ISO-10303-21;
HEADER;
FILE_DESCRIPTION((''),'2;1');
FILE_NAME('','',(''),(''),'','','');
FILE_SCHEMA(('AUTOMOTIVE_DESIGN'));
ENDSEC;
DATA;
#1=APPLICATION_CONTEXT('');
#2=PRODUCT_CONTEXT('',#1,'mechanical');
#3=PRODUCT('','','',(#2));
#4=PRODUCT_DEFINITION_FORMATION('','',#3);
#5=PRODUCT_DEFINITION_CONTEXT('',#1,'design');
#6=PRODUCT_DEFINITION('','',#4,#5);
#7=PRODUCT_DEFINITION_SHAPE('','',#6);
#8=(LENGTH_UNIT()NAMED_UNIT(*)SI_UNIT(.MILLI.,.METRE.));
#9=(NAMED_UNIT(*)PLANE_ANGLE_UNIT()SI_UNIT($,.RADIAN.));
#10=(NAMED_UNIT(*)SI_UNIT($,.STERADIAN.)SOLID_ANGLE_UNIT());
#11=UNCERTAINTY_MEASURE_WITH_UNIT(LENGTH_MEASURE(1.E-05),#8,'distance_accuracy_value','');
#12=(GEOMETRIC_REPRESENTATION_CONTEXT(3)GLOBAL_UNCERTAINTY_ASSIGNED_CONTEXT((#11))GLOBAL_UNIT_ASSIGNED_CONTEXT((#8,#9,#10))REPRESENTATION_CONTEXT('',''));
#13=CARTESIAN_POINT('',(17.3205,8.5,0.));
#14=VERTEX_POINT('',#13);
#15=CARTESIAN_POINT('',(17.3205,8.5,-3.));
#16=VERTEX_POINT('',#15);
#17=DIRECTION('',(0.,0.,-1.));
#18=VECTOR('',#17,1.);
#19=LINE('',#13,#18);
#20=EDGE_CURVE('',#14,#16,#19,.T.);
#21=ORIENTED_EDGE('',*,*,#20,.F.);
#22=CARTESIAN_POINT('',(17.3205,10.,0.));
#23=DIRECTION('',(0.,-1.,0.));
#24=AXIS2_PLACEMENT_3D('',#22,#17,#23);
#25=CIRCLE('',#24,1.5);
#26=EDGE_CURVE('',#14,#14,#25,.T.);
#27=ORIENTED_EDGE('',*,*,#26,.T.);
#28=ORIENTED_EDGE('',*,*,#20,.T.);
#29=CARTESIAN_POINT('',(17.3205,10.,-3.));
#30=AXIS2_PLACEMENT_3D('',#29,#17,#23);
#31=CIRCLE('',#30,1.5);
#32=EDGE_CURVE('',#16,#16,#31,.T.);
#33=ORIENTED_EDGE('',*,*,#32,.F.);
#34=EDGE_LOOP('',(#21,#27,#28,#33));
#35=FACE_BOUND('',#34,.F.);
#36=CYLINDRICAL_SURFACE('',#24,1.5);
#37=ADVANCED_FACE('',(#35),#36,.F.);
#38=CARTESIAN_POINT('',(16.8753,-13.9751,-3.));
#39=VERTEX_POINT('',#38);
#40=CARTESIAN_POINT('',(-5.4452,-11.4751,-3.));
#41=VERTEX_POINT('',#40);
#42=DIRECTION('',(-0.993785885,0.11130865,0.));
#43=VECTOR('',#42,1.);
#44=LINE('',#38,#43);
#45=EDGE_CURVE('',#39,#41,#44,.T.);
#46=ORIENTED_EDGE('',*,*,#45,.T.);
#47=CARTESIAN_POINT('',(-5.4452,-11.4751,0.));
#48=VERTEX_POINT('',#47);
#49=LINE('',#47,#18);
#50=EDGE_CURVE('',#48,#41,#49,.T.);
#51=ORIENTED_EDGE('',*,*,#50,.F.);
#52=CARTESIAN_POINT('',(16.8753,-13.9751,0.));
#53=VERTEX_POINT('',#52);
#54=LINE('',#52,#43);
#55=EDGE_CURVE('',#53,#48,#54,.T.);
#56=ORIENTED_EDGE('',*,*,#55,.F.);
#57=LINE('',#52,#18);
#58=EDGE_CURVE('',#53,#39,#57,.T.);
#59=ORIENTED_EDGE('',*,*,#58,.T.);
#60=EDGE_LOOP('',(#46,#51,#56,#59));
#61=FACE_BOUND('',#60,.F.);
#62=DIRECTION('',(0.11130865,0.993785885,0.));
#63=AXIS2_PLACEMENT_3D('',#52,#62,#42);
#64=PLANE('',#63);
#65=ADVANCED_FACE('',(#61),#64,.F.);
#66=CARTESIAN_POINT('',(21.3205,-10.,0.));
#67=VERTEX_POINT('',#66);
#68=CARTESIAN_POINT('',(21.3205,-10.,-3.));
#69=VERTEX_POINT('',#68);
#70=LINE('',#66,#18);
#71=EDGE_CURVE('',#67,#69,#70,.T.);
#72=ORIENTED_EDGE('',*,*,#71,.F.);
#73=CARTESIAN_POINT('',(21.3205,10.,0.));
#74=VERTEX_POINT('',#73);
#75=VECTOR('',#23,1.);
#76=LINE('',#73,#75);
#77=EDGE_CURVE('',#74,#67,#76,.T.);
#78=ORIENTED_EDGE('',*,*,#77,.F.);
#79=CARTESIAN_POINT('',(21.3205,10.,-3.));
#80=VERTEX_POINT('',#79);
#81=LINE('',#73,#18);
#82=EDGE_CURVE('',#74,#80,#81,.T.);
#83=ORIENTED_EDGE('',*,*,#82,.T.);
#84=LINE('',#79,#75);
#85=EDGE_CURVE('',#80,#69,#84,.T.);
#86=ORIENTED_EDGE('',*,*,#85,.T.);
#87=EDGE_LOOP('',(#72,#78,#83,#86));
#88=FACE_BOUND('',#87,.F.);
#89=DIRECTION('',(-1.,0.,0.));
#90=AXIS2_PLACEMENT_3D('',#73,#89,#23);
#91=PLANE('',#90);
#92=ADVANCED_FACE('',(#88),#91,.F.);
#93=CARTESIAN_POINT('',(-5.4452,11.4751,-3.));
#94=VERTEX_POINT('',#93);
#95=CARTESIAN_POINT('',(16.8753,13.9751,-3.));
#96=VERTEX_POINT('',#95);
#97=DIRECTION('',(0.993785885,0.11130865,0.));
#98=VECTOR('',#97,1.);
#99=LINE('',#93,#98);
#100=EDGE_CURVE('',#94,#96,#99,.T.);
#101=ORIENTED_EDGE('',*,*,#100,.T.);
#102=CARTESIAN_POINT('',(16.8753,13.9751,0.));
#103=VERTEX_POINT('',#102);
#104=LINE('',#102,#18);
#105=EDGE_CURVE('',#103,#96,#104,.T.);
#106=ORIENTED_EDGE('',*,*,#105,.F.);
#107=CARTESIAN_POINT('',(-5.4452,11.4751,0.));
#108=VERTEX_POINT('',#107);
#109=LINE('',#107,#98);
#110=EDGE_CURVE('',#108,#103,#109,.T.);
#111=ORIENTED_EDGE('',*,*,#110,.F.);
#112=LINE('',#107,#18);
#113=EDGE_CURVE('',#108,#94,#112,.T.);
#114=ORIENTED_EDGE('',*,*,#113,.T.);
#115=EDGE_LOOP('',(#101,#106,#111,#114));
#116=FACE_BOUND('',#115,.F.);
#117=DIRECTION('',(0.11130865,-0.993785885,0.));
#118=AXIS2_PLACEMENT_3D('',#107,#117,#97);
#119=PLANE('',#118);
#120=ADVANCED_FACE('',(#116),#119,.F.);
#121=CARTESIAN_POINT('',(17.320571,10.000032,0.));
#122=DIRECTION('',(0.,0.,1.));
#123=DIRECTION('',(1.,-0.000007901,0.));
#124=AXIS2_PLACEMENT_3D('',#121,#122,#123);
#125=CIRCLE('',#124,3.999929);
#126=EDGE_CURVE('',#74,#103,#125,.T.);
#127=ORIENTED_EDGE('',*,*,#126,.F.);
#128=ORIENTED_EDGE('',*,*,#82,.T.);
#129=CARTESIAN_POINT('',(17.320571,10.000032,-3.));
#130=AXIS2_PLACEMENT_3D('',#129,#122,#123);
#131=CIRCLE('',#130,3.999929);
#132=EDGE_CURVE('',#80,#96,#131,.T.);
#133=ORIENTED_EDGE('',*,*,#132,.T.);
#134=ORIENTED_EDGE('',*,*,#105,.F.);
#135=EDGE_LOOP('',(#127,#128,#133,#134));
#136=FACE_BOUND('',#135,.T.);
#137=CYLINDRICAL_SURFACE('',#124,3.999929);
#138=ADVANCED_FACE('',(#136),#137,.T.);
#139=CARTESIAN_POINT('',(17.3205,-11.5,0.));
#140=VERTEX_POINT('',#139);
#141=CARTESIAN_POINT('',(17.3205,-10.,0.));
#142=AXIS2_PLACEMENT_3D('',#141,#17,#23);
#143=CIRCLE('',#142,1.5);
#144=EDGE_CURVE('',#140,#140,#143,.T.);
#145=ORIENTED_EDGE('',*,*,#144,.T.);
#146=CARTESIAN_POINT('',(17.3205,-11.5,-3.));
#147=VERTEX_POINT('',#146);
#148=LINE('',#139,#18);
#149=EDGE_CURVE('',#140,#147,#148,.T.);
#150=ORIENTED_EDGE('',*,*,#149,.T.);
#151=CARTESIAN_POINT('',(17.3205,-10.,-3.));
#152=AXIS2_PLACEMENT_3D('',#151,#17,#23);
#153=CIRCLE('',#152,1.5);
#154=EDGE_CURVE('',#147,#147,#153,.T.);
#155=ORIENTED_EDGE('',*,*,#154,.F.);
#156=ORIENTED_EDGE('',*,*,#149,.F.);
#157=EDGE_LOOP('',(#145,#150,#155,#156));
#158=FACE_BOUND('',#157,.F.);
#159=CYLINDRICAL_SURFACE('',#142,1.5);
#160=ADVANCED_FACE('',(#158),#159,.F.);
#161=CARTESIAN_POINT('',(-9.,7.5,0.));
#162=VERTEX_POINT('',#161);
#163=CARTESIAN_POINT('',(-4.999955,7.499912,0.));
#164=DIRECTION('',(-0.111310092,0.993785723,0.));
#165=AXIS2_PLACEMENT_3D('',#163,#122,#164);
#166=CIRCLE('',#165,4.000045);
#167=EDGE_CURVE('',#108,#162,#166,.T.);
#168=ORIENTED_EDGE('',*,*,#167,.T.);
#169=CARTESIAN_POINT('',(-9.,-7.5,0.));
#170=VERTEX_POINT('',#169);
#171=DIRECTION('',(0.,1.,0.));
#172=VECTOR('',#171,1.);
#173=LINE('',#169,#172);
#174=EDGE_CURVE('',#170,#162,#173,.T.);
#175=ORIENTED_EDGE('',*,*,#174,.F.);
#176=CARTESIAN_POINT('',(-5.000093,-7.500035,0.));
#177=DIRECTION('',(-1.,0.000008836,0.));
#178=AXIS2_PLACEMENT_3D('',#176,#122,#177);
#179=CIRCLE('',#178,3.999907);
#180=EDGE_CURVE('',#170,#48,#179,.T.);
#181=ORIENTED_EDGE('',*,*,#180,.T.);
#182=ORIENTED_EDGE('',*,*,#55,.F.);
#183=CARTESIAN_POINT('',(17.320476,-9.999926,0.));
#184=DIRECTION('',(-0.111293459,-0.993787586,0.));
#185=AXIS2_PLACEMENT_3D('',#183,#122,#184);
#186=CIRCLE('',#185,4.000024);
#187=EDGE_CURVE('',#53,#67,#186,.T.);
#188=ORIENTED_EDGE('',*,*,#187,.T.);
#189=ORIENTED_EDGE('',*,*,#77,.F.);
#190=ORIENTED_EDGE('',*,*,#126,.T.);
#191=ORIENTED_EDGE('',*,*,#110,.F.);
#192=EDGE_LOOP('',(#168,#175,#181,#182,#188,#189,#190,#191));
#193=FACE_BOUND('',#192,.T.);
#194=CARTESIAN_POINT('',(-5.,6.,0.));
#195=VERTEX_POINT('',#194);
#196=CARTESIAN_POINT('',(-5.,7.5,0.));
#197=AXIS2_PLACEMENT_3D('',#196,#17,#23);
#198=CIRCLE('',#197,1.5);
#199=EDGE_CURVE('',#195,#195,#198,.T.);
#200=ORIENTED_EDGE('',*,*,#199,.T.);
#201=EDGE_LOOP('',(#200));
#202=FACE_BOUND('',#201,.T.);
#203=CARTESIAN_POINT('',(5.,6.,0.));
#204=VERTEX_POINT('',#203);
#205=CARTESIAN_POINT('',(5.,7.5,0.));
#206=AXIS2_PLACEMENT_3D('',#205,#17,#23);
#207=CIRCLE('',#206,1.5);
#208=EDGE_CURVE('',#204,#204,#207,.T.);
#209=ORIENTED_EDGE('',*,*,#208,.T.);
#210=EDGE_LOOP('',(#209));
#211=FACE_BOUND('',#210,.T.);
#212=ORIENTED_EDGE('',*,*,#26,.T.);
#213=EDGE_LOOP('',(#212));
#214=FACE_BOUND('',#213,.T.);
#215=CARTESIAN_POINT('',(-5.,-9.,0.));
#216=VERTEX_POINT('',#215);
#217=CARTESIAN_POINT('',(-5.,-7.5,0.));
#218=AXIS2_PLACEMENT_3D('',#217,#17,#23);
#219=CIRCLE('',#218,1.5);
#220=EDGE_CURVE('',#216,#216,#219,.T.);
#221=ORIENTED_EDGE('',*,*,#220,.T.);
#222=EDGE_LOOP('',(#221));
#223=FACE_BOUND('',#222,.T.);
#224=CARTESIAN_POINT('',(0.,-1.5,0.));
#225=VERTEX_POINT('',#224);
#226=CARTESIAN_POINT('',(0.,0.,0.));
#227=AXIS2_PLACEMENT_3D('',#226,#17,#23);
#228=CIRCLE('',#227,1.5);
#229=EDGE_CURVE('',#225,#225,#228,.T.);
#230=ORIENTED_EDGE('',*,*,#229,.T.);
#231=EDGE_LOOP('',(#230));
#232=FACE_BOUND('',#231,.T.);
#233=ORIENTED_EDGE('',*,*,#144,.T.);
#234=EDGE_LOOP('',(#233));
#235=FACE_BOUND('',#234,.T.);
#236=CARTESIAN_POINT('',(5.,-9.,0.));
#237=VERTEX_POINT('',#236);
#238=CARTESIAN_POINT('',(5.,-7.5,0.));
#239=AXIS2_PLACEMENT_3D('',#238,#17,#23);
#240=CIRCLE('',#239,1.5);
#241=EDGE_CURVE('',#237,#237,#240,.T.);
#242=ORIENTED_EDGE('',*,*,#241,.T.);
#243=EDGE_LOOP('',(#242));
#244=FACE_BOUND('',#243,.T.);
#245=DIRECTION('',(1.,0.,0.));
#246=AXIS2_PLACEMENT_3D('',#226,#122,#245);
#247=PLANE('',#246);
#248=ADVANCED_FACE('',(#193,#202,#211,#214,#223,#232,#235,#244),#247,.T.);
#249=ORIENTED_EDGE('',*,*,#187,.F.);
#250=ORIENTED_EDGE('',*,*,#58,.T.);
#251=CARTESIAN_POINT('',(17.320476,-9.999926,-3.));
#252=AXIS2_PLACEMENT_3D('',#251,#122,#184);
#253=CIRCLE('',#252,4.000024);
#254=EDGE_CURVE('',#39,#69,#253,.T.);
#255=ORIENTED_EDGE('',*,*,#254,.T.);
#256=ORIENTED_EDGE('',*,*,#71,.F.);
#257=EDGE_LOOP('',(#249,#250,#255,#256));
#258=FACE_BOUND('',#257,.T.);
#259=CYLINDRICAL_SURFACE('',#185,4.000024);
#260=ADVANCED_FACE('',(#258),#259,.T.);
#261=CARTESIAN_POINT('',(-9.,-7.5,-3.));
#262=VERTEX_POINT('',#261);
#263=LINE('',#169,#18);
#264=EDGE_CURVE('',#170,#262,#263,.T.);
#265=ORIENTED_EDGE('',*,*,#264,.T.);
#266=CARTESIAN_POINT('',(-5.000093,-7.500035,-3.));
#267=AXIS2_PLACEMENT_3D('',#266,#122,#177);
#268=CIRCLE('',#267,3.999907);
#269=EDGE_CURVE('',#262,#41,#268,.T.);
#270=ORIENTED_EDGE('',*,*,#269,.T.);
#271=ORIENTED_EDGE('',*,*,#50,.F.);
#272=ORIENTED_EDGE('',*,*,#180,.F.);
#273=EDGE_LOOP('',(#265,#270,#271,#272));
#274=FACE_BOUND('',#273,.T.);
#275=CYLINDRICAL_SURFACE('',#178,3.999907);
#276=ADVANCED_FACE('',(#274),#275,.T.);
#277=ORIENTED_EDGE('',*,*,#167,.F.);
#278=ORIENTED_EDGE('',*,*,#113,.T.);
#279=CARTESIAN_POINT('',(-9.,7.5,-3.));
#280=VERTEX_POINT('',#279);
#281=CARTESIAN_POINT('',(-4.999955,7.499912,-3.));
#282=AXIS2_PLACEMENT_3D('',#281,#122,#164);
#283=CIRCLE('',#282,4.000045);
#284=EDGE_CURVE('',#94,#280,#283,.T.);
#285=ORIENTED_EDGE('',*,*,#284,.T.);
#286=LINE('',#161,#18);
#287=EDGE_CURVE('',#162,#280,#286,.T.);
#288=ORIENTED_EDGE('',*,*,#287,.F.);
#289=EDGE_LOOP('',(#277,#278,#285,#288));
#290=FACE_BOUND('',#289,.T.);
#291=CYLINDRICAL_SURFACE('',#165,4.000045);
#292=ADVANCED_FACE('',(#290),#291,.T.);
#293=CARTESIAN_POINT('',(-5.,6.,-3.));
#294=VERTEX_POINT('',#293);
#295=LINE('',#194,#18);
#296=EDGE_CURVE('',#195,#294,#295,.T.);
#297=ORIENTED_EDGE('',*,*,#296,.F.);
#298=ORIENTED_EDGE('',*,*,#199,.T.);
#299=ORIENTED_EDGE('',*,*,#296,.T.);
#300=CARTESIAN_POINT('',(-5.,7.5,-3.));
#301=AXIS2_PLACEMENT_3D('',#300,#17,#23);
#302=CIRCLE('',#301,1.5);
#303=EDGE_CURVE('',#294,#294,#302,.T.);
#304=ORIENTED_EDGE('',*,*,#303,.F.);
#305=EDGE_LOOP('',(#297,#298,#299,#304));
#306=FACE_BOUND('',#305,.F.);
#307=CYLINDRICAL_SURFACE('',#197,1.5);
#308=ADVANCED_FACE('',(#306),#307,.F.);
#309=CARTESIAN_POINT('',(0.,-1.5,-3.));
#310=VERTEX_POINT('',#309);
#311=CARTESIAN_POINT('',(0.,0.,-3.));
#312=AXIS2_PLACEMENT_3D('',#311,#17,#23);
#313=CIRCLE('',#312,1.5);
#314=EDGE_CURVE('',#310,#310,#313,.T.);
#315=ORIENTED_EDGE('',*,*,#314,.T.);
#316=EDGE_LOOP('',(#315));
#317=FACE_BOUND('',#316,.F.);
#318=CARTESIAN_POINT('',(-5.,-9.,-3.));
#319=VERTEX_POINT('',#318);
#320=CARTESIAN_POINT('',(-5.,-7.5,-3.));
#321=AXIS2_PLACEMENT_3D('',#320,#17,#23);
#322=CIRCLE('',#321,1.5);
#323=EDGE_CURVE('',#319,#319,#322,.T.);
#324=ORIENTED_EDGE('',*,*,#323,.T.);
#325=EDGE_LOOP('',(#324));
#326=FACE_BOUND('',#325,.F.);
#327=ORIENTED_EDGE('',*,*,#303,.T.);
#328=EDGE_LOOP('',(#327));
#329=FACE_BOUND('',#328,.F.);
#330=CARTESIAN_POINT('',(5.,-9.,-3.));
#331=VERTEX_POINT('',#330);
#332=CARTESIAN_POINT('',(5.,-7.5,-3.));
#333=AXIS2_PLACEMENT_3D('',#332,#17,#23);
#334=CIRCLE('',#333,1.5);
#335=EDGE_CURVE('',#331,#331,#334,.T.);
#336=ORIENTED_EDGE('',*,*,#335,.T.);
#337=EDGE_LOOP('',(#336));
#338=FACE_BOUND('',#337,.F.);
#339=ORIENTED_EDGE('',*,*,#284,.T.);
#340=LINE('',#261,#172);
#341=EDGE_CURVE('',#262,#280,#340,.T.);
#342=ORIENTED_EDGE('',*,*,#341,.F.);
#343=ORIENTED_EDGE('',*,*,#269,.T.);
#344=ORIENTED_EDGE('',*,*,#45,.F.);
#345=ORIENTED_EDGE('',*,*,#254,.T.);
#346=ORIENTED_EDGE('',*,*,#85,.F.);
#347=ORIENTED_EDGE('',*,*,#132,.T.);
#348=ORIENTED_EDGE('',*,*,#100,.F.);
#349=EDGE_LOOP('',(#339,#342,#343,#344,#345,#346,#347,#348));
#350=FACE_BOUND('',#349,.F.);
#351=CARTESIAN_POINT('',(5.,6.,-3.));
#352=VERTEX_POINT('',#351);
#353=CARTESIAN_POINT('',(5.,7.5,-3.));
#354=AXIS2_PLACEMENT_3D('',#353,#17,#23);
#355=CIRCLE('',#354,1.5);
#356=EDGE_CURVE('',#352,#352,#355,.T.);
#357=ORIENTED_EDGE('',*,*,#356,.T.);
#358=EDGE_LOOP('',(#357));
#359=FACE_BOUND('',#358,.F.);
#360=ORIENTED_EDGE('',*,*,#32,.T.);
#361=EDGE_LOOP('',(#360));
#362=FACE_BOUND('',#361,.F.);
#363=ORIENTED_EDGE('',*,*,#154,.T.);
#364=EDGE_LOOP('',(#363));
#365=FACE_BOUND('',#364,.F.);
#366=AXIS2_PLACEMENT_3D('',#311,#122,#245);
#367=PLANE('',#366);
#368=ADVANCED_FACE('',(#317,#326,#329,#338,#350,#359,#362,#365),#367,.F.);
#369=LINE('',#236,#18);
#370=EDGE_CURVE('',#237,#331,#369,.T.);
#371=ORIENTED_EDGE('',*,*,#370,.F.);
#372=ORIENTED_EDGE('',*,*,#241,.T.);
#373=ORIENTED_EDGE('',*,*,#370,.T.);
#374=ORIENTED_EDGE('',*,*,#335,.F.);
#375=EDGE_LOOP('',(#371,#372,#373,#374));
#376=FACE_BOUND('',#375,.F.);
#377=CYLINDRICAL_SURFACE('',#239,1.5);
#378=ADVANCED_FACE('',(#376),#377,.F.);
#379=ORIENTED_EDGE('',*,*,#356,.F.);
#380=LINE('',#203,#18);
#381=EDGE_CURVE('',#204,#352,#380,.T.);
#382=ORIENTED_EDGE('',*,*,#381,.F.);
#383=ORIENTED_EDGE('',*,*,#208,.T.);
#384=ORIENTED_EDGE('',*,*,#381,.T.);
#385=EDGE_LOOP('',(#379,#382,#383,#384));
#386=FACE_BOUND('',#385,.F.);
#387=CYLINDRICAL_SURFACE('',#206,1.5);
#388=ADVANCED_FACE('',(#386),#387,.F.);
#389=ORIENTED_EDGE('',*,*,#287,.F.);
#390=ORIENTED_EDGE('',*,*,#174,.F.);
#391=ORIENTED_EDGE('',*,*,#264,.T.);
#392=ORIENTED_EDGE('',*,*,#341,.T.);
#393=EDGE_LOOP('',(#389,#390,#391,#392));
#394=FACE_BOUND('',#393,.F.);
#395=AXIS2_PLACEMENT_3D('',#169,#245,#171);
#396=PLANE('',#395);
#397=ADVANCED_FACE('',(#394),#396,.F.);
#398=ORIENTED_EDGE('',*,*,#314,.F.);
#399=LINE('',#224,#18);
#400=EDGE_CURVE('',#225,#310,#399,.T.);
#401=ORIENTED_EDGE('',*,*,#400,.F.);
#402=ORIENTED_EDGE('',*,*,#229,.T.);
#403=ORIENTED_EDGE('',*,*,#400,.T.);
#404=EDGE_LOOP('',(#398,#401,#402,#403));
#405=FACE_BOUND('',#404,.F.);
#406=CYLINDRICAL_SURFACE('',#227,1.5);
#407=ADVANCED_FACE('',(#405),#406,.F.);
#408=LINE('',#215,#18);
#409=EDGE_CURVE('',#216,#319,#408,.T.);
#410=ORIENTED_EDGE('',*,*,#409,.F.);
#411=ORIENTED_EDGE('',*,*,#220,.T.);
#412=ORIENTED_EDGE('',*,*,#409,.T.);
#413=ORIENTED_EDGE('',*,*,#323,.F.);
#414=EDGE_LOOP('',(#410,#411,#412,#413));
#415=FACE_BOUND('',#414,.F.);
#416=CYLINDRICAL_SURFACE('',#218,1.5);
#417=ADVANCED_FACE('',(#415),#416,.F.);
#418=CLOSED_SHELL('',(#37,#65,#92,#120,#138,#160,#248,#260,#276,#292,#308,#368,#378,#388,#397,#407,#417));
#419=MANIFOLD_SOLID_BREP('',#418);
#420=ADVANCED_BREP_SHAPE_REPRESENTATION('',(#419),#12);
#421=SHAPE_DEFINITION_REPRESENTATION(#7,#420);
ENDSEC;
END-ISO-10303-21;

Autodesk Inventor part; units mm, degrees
ref_plane "YZ Plane" through (0, 0, 0) normal (1, 0, 0) x (0, 1, 0)
ref_plane "XZ Plane" through (0, 0, 0) normal (0, 1, 0) x (-1, 0, 0)
ref_plane "XY Plane" through (0, 0, 0) normal (0, 0, 1) x (1, 0, 0)
sketch "Sketch1" plane through (0, 0, 0) normal (0, 0, 1) x (1, 0, 0)
  line L0 (0, 0) -> (17.3205, 10) construction
  line L1 (0, 0) -> (17.3205, -10) construction
  line L2 (5, -7.5) -> (-5, -7.5) construction
  line L3 (-5, -7.5) -> (-5, 7.5) construction
  line L4 (-5, 7.5) -> (5, 7.5) construction
  line L5 (5, 7.5) -> (5, -7.5) construction
  line L6 (5, -7.5) -> (-5, 7.5) construction
  line L7 (-5, -7.5) -> (5, 7.5) construction
  line L8 (-5.4452, 11.4751) -> (16.8753, 13.9751)
  arc A0 (21.3205, 10) -> (16.8753, 13.9751) centre (17.3205, 10) ccw
  line L9 (21.3205, 10) -> (21.3205, -10)
  arc A1 (16.8753, -13.9751) -> (21.3205, -10) centre (17.3205, -10) ccw
  line L10 (16.8753, -13.9751) -> (-5.4452, -11.4751)
  arc A2 (-9, -7.5) -> (-5.4452, -11.4751) centre (-5, -7.5) ccw
  line L11 (-9, -7.5) -> (-9, 7.5)
  arc A3 (-5.4452, 11.4751) -> (-9, 7.5) centre (-5, 7.5) ccw
  dimension "d0" = 30
  dimension "d1" = 30
  dimension "d2" = 20
  dimension "d3" = 20
  dimension "d4" = 15
  dimension "d5" = 10
  dimension "d6" = 4
extrude "Extrusion1" add sketch "Sketch1" against normal blind 3
hole "Hole1" at (-5, 7.5, 0) at (5, 7.5, 0) at (17.3205, 10, 0) at (17.3205, -10, 0) at (-5, -7.5, 0) at (5, -7.5, 0) direction (0, 0, -1) diameter 3 depth 8 tip angle 118
hole "Hole2" at (0, 0, 0) direction (0, 0, -1) diameter 3 depth 8 tip angle 118
properties part number "LegBase_mid"
